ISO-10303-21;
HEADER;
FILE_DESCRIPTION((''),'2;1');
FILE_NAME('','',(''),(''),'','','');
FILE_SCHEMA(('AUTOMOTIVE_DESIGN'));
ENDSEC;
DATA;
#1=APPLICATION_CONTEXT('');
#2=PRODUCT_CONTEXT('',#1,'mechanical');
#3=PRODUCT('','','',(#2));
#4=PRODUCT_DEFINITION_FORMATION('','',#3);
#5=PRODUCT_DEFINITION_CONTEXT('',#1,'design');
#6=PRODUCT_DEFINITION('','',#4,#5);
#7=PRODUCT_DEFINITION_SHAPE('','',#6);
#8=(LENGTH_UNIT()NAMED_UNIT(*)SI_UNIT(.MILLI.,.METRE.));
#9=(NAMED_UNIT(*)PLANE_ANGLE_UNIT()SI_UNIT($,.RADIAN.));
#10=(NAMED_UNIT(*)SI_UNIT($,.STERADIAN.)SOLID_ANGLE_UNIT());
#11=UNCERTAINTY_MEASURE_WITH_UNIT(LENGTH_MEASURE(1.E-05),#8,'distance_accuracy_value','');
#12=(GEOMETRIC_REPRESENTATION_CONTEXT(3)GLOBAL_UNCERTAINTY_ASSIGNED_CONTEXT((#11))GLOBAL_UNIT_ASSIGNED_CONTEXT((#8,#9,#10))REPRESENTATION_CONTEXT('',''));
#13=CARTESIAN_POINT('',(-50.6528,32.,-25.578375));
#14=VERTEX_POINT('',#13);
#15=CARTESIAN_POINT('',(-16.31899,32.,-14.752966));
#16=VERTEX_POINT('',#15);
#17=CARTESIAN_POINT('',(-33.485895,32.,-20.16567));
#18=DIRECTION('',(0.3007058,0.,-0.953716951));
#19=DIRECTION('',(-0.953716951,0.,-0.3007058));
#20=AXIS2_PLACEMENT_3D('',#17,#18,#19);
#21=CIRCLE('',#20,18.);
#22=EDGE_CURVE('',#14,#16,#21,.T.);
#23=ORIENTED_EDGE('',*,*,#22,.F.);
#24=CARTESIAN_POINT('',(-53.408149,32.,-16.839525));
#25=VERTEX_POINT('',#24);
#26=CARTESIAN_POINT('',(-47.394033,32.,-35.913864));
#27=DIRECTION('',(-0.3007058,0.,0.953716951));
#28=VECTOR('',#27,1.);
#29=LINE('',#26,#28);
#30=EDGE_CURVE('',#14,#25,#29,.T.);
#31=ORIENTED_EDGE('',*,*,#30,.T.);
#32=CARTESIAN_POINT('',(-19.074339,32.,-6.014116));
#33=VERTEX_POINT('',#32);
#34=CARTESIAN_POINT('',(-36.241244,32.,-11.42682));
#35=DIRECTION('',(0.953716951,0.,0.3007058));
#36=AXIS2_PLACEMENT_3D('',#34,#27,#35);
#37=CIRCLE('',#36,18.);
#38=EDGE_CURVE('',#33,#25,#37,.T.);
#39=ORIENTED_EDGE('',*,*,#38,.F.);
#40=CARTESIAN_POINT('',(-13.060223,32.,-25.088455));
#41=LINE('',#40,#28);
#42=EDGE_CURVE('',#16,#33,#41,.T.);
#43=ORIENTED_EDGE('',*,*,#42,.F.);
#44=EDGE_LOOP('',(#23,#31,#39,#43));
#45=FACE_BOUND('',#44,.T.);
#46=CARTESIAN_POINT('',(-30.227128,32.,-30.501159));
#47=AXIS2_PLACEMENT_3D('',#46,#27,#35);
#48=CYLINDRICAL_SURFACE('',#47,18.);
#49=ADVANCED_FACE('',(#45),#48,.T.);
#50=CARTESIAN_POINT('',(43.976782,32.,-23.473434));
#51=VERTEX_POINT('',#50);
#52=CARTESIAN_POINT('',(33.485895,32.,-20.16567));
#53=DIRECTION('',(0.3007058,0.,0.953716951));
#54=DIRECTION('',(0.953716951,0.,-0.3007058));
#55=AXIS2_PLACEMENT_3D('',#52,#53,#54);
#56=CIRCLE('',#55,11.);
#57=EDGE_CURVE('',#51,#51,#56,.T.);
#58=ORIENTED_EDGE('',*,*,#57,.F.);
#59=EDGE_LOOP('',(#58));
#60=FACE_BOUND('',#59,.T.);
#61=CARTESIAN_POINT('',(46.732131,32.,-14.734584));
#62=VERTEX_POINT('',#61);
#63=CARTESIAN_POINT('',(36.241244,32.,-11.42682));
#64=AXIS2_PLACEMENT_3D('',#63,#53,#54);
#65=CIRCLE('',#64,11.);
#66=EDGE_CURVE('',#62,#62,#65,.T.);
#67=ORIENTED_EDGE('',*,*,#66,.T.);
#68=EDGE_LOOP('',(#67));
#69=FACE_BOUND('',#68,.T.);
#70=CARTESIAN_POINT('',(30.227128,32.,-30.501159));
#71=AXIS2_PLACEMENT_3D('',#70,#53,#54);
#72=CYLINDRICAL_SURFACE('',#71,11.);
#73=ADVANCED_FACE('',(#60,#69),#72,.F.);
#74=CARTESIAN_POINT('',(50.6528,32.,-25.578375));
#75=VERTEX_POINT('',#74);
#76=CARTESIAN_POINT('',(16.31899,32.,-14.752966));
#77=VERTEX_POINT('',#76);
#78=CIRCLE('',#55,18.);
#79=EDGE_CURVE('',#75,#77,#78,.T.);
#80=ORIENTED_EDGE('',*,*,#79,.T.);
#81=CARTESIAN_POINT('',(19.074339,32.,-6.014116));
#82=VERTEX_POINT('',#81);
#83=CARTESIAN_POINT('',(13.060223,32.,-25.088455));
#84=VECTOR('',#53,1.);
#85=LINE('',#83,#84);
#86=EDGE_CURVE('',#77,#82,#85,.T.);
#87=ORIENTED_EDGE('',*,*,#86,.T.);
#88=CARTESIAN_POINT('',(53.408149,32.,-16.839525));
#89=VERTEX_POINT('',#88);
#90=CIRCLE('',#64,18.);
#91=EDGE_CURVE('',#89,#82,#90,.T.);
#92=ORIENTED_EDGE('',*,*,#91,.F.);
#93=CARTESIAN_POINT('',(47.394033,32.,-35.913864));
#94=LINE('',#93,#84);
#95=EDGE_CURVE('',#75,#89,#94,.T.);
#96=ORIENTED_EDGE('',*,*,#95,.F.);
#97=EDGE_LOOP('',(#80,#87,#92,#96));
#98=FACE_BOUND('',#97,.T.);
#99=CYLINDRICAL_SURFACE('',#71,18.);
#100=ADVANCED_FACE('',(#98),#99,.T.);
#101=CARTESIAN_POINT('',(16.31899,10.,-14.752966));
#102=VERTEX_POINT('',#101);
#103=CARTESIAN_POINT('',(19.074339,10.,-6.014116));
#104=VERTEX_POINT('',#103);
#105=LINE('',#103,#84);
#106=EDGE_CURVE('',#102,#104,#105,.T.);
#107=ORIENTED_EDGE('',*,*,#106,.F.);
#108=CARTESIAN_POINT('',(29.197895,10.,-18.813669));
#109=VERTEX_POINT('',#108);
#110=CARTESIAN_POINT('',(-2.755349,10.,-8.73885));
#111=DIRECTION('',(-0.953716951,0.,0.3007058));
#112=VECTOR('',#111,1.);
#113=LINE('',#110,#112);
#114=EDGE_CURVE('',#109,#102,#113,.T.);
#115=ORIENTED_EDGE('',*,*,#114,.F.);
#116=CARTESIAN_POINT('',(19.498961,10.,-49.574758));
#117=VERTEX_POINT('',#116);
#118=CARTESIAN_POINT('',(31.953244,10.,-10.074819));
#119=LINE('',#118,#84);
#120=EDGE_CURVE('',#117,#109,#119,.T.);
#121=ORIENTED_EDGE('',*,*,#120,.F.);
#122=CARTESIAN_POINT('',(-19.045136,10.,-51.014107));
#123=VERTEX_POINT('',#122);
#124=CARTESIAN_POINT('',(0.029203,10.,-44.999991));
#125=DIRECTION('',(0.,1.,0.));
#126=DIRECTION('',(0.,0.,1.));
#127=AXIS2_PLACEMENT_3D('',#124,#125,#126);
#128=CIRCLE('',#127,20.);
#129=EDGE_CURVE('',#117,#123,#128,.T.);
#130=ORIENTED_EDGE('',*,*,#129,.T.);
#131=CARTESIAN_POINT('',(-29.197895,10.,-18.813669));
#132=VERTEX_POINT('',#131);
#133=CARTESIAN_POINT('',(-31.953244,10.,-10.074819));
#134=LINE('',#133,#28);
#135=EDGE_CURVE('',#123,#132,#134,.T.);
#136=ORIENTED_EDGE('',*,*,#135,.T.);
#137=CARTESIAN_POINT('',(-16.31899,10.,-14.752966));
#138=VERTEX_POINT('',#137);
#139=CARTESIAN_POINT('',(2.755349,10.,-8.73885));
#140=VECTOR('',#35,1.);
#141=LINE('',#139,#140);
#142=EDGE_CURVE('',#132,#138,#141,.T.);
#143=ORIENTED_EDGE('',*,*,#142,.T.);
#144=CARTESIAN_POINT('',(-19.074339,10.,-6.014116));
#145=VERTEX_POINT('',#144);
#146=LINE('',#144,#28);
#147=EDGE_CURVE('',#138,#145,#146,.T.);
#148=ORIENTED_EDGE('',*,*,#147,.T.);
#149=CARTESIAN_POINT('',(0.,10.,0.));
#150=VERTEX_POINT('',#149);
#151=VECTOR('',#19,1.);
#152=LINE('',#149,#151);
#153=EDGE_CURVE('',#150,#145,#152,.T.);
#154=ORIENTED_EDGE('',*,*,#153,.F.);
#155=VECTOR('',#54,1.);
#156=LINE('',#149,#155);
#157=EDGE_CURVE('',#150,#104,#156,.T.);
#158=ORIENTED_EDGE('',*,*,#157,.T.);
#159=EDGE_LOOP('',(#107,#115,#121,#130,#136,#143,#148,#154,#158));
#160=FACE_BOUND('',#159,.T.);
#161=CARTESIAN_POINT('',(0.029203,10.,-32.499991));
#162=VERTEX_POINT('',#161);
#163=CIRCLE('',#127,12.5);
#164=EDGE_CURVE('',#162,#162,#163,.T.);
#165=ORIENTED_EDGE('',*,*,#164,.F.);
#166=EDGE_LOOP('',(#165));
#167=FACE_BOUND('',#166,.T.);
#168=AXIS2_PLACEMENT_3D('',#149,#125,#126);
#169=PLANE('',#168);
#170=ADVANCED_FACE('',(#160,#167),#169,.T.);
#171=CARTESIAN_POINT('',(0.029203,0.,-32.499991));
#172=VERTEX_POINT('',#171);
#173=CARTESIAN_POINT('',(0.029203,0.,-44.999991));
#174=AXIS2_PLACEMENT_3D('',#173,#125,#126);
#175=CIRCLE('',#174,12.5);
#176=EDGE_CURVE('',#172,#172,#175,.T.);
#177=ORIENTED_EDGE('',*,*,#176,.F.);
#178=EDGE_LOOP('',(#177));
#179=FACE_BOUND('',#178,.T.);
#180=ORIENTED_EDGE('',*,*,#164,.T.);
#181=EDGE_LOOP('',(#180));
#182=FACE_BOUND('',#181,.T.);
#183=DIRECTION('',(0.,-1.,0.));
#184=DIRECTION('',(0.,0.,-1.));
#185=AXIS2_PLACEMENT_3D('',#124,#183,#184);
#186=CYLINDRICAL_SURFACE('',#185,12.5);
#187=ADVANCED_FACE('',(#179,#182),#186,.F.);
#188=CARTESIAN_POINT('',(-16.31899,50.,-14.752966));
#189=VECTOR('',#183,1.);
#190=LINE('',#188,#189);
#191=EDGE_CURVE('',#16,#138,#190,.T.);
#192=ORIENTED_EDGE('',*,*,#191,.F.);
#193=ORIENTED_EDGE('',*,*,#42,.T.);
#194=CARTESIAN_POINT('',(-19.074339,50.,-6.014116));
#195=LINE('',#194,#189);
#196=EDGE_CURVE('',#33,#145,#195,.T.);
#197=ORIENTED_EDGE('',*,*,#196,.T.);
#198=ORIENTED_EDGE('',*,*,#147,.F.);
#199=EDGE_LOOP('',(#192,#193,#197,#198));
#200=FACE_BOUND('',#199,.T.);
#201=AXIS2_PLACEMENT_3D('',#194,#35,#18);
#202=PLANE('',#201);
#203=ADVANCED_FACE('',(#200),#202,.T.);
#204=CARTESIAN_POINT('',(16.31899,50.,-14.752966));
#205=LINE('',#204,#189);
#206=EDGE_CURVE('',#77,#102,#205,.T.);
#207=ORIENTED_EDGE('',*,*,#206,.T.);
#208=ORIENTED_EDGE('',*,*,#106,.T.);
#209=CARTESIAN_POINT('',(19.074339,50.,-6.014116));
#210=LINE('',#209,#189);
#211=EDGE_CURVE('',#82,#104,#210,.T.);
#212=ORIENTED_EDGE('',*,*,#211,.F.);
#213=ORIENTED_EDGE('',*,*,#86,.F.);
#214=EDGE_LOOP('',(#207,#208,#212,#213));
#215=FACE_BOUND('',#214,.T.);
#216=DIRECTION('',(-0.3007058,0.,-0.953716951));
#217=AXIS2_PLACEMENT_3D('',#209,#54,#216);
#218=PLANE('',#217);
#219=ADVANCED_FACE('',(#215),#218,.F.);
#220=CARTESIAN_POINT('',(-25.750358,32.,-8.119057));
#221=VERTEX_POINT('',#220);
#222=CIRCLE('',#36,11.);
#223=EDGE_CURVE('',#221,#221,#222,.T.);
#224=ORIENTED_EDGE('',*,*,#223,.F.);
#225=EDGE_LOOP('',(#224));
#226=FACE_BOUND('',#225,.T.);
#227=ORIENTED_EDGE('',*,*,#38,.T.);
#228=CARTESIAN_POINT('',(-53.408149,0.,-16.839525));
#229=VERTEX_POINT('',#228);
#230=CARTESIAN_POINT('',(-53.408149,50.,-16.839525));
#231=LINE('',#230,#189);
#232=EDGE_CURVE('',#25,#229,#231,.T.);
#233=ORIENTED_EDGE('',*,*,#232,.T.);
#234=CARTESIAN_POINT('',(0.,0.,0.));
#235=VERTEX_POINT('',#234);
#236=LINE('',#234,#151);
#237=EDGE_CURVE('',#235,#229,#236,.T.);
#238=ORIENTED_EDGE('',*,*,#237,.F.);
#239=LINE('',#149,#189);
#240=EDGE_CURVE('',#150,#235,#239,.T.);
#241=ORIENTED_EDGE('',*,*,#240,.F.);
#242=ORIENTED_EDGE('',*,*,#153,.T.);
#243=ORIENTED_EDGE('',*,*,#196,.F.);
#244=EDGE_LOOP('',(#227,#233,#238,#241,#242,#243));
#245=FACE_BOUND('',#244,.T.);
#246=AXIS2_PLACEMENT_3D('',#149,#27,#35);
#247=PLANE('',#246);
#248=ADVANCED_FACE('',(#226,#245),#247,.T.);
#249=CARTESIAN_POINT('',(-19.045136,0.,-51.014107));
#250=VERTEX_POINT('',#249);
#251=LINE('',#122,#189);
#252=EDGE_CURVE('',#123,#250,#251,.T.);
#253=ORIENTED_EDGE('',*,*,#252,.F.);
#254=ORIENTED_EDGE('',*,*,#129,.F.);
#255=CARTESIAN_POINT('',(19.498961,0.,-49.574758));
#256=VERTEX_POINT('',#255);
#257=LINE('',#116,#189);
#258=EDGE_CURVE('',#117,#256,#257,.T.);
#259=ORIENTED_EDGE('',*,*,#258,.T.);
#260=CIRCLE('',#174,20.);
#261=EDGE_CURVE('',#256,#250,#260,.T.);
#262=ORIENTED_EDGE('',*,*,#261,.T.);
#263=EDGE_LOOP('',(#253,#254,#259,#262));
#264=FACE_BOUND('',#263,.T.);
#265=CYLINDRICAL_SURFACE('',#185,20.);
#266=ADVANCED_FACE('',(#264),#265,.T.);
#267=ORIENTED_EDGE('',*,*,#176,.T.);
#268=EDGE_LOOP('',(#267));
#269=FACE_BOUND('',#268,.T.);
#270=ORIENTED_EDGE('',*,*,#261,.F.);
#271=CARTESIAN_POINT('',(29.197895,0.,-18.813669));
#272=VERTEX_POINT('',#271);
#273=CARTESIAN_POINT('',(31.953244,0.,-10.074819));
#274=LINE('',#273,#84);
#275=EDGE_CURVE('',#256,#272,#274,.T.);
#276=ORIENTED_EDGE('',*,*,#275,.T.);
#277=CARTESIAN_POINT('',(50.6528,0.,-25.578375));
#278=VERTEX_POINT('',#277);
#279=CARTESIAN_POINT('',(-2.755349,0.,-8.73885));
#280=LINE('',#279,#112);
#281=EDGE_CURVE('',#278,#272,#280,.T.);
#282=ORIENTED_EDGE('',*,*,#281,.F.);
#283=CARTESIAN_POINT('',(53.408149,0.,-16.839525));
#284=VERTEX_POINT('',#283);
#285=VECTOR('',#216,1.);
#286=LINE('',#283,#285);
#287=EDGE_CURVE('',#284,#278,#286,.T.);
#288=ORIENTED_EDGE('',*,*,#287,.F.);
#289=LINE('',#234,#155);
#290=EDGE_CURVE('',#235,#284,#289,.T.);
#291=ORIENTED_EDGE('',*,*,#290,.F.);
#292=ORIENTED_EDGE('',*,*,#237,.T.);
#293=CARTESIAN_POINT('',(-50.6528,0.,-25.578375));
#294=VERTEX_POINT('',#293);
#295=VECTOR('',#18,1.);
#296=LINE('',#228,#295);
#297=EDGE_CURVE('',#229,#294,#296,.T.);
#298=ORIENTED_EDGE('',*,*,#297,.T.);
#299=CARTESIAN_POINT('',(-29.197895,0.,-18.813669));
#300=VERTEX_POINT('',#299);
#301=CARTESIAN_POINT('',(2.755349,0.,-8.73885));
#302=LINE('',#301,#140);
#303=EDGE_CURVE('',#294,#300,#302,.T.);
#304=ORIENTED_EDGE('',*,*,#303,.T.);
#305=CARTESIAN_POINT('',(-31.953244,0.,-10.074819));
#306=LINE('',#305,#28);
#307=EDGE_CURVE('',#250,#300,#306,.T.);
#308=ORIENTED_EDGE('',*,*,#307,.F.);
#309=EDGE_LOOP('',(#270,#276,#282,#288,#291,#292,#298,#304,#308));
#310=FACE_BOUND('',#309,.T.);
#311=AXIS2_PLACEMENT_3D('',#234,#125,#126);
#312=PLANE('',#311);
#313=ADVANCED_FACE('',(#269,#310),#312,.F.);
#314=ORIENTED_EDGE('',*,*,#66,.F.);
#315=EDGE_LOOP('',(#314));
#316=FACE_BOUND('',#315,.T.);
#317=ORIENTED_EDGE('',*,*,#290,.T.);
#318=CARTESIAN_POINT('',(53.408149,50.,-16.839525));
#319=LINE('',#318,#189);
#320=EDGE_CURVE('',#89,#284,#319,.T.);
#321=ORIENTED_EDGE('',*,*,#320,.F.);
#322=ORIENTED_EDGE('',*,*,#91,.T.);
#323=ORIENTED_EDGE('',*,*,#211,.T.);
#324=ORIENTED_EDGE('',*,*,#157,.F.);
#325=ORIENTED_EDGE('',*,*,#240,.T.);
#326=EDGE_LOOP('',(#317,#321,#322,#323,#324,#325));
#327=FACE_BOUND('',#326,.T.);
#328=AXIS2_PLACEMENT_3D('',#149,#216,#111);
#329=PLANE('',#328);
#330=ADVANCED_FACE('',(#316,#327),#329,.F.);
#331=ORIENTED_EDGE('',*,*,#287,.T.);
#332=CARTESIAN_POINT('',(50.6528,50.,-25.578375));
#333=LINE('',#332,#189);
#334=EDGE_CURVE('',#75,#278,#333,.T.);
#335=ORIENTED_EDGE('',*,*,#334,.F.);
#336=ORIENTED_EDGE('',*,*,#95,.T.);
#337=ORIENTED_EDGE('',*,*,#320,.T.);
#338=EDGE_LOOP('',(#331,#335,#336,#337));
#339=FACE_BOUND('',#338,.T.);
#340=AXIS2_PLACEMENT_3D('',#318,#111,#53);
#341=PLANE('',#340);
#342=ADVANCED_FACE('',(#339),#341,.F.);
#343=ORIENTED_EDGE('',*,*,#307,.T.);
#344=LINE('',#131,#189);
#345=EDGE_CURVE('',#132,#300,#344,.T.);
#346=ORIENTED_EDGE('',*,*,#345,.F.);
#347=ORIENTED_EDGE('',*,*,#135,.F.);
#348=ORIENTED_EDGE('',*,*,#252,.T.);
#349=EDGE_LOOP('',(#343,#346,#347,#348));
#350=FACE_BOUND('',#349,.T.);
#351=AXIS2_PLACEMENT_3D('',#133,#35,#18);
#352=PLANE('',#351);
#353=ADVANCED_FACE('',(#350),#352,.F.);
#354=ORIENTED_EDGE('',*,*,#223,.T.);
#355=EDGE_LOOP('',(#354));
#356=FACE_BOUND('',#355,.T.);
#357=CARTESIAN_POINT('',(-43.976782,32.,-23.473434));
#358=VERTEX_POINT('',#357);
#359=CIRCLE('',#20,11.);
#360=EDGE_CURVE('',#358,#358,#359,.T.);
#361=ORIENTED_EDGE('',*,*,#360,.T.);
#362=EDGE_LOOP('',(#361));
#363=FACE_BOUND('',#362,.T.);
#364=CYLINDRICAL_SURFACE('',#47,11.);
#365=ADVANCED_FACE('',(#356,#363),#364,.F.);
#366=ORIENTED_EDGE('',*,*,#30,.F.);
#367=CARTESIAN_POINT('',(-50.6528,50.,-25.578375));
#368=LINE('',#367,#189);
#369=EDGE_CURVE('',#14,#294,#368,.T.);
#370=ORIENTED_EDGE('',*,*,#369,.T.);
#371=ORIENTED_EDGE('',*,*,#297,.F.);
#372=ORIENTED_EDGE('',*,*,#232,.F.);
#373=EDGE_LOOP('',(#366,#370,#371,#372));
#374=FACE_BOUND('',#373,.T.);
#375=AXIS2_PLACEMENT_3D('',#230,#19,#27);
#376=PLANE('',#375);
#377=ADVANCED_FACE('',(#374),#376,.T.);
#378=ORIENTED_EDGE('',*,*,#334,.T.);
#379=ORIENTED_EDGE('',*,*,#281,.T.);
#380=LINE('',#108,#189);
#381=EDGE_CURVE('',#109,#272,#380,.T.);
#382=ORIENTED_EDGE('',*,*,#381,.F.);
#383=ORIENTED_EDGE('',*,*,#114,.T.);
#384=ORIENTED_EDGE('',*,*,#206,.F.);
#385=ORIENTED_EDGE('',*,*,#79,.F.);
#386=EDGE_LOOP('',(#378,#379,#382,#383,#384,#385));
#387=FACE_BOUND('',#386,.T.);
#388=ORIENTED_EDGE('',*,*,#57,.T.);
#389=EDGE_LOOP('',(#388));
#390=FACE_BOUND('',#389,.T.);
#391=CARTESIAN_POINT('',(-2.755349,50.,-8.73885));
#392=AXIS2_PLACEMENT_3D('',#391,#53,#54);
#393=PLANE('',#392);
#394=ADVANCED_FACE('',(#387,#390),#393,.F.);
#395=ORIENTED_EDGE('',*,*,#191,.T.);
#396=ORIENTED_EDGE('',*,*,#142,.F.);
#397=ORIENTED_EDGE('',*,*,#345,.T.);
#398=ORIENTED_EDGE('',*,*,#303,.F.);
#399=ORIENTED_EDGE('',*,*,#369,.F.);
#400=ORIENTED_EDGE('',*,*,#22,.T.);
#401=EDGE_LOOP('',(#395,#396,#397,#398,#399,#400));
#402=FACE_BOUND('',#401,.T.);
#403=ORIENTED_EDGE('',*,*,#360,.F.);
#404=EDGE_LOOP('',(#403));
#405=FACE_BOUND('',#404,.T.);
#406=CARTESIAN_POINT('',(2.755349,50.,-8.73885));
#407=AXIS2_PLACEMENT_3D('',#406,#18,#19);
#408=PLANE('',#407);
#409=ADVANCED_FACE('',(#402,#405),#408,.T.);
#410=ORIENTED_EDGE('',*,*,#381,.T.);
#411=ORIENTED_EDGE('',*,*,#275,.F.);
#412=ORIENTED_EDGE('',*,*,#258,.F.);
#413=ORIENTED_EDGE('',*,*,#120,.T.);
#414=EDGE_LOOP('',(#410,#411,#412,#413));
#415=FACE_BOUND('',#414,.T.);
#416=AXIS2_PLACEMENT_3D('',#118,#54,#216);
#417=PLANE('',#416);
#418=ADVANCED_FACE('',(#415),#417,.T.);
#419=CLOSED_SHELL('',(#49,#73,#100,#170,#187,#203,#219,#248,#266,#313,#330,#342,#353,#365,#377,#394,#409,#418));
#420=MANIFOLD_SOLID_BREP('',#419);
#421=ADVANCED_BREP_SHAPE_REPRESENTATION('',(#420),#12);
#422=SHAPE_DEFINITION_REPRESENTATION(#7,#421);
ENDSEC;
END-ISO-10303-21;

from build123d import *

# Parameters (mm, degrees)
SKETCH2_R           = 12.5
BOSS_EXTRUDE1_DEPTH = 10
BOSS_EXTRUDE2_DEPTH = 50
SKETCH5_R           = 11
CUT_EXTRUDE3_DEPTH  = 20
SKETCH3_R           = 11
CUT_EXTRUDE4_DEPTH  = 20


with BuildPart() as part:
    # Sketch2 → Boss-Extrude1 (new body)
    with BuildSketch(Plane(origin=(0, 0, 0), x_dir=(1, 0, 0), z_dir=(0, 1, 0))):
        with BuildLine():
            Line((-19.074339015, 6.01411599), (0, 0))
            Line((0, 0), (19.074339015, 6.01411599))
            Line((19.074339015, 6.01411599), (16.318990173, 14.752966055))
            Line((16.318990173, 14.752966055), (29.197895289, 18.81366924))
            Line((29.197895289, 18.81366924), (19.498961292, 49.574757892))
            ThreePointArc((19.498961292, 49.574757892), (0.775540523, 64.986060166), (-19.045136415, 51.014106515))
            Line((-19.045136415, 51.014106515), (-29.197895289, 18.81366924))
            Line((-29.197895289, 18.81366924), (-16.318990173, 14.752966055))
            Line((-16.318990173, 14.752966055), (-19.074339015, 6.01411599))
        make_face()
        with Locations((0.0292026, 44.999990525)):
            Circle(SKETCH2_R, mode=Mode.SUBTRACT)
    extrude(amount=BOSS_EXTRUDE1_DEPTH)

    # Sketch2<4> → Boss-Extrude2 (add)
    with BuildSketch(Plane(origin=(0, 0, 0), x_dir=(1, 0, 0), z_dir=(0, 1, 0))):
        Polygon((16.318990173, 14.752966055), (19.074339015, 6.01411599), (53.408149242, 16.839524772), (50.6528004, 25.578374837), align=None)
        Polygon((-53.408149242, 16.839524772), (-19.074339015, 6.01411599), (-16.318990173, 14.752966055), (-50.6528004, 25.578374837), align=None)
    extrude(amount=BOSS_EXTRUDE2_DEPTH)

    # Sketch5 → Cut-Extrude3 (cut)
    with BuildSketch(Plane(origin=(0, 0, 0), x_dir=(0.9537169507482267, 0, -0.30070579950427406), z_dir=(0.300705799504274, 0, 0.9537169507482266))):
        with Locations((38, 32)):
            Circle(SKETCH5_R)
        with BuildLine():
            ThreePointArc((20, 32), (25.272077939, 44.727922061), (38, 50))
            Line((38, 50), (20, 50))
            Line((20, 50), (20, 32))
        make_face()
        with BuildLine():
            ThreePointArc((38, 50), (50.727922061, 44.727922061), (56, 32))
            Line((56, 32), (56, 50))
            Line((56, 50), (38, 50))
        make_face()
    extrude(amount=-CUT_EXTRUDE3_DEPTH, mode=Mode.SUBTRACT)

    # Sketch3 → Cut-Extrude4 (cut)
    with BuildSketch(Plane(origin=(0, 0, 0), x_dir=(0.9537169507482267, 0, 0.30070579950427406), z_dir=(-0.300705799504274, 0, 0.9537169507482266))):
        with BuildLine():
            ThreePointArc((-38, 50), (-25.272077939, 44.727922061), (-20, 32))
            Line((-20, 32), (-20, 50))
            Line((-20, 50), (-38, 50))
        make_face()
        with Locations((-38, 32)):
            Circle(SKETCH3_R)
        with BuildLine():
            ThreePointArc((-56, 32), (-50.727922061, 44.727922061), (-38, 50))
            Line((-38, 50), (-56, 50))
            Line((-56, 50), (-56, 32))
        make_face()
    extrude(amount=-CUT_EXTRUDE4_DEPTH, mode=Mode.SUBTRACT)


solid = part.part
